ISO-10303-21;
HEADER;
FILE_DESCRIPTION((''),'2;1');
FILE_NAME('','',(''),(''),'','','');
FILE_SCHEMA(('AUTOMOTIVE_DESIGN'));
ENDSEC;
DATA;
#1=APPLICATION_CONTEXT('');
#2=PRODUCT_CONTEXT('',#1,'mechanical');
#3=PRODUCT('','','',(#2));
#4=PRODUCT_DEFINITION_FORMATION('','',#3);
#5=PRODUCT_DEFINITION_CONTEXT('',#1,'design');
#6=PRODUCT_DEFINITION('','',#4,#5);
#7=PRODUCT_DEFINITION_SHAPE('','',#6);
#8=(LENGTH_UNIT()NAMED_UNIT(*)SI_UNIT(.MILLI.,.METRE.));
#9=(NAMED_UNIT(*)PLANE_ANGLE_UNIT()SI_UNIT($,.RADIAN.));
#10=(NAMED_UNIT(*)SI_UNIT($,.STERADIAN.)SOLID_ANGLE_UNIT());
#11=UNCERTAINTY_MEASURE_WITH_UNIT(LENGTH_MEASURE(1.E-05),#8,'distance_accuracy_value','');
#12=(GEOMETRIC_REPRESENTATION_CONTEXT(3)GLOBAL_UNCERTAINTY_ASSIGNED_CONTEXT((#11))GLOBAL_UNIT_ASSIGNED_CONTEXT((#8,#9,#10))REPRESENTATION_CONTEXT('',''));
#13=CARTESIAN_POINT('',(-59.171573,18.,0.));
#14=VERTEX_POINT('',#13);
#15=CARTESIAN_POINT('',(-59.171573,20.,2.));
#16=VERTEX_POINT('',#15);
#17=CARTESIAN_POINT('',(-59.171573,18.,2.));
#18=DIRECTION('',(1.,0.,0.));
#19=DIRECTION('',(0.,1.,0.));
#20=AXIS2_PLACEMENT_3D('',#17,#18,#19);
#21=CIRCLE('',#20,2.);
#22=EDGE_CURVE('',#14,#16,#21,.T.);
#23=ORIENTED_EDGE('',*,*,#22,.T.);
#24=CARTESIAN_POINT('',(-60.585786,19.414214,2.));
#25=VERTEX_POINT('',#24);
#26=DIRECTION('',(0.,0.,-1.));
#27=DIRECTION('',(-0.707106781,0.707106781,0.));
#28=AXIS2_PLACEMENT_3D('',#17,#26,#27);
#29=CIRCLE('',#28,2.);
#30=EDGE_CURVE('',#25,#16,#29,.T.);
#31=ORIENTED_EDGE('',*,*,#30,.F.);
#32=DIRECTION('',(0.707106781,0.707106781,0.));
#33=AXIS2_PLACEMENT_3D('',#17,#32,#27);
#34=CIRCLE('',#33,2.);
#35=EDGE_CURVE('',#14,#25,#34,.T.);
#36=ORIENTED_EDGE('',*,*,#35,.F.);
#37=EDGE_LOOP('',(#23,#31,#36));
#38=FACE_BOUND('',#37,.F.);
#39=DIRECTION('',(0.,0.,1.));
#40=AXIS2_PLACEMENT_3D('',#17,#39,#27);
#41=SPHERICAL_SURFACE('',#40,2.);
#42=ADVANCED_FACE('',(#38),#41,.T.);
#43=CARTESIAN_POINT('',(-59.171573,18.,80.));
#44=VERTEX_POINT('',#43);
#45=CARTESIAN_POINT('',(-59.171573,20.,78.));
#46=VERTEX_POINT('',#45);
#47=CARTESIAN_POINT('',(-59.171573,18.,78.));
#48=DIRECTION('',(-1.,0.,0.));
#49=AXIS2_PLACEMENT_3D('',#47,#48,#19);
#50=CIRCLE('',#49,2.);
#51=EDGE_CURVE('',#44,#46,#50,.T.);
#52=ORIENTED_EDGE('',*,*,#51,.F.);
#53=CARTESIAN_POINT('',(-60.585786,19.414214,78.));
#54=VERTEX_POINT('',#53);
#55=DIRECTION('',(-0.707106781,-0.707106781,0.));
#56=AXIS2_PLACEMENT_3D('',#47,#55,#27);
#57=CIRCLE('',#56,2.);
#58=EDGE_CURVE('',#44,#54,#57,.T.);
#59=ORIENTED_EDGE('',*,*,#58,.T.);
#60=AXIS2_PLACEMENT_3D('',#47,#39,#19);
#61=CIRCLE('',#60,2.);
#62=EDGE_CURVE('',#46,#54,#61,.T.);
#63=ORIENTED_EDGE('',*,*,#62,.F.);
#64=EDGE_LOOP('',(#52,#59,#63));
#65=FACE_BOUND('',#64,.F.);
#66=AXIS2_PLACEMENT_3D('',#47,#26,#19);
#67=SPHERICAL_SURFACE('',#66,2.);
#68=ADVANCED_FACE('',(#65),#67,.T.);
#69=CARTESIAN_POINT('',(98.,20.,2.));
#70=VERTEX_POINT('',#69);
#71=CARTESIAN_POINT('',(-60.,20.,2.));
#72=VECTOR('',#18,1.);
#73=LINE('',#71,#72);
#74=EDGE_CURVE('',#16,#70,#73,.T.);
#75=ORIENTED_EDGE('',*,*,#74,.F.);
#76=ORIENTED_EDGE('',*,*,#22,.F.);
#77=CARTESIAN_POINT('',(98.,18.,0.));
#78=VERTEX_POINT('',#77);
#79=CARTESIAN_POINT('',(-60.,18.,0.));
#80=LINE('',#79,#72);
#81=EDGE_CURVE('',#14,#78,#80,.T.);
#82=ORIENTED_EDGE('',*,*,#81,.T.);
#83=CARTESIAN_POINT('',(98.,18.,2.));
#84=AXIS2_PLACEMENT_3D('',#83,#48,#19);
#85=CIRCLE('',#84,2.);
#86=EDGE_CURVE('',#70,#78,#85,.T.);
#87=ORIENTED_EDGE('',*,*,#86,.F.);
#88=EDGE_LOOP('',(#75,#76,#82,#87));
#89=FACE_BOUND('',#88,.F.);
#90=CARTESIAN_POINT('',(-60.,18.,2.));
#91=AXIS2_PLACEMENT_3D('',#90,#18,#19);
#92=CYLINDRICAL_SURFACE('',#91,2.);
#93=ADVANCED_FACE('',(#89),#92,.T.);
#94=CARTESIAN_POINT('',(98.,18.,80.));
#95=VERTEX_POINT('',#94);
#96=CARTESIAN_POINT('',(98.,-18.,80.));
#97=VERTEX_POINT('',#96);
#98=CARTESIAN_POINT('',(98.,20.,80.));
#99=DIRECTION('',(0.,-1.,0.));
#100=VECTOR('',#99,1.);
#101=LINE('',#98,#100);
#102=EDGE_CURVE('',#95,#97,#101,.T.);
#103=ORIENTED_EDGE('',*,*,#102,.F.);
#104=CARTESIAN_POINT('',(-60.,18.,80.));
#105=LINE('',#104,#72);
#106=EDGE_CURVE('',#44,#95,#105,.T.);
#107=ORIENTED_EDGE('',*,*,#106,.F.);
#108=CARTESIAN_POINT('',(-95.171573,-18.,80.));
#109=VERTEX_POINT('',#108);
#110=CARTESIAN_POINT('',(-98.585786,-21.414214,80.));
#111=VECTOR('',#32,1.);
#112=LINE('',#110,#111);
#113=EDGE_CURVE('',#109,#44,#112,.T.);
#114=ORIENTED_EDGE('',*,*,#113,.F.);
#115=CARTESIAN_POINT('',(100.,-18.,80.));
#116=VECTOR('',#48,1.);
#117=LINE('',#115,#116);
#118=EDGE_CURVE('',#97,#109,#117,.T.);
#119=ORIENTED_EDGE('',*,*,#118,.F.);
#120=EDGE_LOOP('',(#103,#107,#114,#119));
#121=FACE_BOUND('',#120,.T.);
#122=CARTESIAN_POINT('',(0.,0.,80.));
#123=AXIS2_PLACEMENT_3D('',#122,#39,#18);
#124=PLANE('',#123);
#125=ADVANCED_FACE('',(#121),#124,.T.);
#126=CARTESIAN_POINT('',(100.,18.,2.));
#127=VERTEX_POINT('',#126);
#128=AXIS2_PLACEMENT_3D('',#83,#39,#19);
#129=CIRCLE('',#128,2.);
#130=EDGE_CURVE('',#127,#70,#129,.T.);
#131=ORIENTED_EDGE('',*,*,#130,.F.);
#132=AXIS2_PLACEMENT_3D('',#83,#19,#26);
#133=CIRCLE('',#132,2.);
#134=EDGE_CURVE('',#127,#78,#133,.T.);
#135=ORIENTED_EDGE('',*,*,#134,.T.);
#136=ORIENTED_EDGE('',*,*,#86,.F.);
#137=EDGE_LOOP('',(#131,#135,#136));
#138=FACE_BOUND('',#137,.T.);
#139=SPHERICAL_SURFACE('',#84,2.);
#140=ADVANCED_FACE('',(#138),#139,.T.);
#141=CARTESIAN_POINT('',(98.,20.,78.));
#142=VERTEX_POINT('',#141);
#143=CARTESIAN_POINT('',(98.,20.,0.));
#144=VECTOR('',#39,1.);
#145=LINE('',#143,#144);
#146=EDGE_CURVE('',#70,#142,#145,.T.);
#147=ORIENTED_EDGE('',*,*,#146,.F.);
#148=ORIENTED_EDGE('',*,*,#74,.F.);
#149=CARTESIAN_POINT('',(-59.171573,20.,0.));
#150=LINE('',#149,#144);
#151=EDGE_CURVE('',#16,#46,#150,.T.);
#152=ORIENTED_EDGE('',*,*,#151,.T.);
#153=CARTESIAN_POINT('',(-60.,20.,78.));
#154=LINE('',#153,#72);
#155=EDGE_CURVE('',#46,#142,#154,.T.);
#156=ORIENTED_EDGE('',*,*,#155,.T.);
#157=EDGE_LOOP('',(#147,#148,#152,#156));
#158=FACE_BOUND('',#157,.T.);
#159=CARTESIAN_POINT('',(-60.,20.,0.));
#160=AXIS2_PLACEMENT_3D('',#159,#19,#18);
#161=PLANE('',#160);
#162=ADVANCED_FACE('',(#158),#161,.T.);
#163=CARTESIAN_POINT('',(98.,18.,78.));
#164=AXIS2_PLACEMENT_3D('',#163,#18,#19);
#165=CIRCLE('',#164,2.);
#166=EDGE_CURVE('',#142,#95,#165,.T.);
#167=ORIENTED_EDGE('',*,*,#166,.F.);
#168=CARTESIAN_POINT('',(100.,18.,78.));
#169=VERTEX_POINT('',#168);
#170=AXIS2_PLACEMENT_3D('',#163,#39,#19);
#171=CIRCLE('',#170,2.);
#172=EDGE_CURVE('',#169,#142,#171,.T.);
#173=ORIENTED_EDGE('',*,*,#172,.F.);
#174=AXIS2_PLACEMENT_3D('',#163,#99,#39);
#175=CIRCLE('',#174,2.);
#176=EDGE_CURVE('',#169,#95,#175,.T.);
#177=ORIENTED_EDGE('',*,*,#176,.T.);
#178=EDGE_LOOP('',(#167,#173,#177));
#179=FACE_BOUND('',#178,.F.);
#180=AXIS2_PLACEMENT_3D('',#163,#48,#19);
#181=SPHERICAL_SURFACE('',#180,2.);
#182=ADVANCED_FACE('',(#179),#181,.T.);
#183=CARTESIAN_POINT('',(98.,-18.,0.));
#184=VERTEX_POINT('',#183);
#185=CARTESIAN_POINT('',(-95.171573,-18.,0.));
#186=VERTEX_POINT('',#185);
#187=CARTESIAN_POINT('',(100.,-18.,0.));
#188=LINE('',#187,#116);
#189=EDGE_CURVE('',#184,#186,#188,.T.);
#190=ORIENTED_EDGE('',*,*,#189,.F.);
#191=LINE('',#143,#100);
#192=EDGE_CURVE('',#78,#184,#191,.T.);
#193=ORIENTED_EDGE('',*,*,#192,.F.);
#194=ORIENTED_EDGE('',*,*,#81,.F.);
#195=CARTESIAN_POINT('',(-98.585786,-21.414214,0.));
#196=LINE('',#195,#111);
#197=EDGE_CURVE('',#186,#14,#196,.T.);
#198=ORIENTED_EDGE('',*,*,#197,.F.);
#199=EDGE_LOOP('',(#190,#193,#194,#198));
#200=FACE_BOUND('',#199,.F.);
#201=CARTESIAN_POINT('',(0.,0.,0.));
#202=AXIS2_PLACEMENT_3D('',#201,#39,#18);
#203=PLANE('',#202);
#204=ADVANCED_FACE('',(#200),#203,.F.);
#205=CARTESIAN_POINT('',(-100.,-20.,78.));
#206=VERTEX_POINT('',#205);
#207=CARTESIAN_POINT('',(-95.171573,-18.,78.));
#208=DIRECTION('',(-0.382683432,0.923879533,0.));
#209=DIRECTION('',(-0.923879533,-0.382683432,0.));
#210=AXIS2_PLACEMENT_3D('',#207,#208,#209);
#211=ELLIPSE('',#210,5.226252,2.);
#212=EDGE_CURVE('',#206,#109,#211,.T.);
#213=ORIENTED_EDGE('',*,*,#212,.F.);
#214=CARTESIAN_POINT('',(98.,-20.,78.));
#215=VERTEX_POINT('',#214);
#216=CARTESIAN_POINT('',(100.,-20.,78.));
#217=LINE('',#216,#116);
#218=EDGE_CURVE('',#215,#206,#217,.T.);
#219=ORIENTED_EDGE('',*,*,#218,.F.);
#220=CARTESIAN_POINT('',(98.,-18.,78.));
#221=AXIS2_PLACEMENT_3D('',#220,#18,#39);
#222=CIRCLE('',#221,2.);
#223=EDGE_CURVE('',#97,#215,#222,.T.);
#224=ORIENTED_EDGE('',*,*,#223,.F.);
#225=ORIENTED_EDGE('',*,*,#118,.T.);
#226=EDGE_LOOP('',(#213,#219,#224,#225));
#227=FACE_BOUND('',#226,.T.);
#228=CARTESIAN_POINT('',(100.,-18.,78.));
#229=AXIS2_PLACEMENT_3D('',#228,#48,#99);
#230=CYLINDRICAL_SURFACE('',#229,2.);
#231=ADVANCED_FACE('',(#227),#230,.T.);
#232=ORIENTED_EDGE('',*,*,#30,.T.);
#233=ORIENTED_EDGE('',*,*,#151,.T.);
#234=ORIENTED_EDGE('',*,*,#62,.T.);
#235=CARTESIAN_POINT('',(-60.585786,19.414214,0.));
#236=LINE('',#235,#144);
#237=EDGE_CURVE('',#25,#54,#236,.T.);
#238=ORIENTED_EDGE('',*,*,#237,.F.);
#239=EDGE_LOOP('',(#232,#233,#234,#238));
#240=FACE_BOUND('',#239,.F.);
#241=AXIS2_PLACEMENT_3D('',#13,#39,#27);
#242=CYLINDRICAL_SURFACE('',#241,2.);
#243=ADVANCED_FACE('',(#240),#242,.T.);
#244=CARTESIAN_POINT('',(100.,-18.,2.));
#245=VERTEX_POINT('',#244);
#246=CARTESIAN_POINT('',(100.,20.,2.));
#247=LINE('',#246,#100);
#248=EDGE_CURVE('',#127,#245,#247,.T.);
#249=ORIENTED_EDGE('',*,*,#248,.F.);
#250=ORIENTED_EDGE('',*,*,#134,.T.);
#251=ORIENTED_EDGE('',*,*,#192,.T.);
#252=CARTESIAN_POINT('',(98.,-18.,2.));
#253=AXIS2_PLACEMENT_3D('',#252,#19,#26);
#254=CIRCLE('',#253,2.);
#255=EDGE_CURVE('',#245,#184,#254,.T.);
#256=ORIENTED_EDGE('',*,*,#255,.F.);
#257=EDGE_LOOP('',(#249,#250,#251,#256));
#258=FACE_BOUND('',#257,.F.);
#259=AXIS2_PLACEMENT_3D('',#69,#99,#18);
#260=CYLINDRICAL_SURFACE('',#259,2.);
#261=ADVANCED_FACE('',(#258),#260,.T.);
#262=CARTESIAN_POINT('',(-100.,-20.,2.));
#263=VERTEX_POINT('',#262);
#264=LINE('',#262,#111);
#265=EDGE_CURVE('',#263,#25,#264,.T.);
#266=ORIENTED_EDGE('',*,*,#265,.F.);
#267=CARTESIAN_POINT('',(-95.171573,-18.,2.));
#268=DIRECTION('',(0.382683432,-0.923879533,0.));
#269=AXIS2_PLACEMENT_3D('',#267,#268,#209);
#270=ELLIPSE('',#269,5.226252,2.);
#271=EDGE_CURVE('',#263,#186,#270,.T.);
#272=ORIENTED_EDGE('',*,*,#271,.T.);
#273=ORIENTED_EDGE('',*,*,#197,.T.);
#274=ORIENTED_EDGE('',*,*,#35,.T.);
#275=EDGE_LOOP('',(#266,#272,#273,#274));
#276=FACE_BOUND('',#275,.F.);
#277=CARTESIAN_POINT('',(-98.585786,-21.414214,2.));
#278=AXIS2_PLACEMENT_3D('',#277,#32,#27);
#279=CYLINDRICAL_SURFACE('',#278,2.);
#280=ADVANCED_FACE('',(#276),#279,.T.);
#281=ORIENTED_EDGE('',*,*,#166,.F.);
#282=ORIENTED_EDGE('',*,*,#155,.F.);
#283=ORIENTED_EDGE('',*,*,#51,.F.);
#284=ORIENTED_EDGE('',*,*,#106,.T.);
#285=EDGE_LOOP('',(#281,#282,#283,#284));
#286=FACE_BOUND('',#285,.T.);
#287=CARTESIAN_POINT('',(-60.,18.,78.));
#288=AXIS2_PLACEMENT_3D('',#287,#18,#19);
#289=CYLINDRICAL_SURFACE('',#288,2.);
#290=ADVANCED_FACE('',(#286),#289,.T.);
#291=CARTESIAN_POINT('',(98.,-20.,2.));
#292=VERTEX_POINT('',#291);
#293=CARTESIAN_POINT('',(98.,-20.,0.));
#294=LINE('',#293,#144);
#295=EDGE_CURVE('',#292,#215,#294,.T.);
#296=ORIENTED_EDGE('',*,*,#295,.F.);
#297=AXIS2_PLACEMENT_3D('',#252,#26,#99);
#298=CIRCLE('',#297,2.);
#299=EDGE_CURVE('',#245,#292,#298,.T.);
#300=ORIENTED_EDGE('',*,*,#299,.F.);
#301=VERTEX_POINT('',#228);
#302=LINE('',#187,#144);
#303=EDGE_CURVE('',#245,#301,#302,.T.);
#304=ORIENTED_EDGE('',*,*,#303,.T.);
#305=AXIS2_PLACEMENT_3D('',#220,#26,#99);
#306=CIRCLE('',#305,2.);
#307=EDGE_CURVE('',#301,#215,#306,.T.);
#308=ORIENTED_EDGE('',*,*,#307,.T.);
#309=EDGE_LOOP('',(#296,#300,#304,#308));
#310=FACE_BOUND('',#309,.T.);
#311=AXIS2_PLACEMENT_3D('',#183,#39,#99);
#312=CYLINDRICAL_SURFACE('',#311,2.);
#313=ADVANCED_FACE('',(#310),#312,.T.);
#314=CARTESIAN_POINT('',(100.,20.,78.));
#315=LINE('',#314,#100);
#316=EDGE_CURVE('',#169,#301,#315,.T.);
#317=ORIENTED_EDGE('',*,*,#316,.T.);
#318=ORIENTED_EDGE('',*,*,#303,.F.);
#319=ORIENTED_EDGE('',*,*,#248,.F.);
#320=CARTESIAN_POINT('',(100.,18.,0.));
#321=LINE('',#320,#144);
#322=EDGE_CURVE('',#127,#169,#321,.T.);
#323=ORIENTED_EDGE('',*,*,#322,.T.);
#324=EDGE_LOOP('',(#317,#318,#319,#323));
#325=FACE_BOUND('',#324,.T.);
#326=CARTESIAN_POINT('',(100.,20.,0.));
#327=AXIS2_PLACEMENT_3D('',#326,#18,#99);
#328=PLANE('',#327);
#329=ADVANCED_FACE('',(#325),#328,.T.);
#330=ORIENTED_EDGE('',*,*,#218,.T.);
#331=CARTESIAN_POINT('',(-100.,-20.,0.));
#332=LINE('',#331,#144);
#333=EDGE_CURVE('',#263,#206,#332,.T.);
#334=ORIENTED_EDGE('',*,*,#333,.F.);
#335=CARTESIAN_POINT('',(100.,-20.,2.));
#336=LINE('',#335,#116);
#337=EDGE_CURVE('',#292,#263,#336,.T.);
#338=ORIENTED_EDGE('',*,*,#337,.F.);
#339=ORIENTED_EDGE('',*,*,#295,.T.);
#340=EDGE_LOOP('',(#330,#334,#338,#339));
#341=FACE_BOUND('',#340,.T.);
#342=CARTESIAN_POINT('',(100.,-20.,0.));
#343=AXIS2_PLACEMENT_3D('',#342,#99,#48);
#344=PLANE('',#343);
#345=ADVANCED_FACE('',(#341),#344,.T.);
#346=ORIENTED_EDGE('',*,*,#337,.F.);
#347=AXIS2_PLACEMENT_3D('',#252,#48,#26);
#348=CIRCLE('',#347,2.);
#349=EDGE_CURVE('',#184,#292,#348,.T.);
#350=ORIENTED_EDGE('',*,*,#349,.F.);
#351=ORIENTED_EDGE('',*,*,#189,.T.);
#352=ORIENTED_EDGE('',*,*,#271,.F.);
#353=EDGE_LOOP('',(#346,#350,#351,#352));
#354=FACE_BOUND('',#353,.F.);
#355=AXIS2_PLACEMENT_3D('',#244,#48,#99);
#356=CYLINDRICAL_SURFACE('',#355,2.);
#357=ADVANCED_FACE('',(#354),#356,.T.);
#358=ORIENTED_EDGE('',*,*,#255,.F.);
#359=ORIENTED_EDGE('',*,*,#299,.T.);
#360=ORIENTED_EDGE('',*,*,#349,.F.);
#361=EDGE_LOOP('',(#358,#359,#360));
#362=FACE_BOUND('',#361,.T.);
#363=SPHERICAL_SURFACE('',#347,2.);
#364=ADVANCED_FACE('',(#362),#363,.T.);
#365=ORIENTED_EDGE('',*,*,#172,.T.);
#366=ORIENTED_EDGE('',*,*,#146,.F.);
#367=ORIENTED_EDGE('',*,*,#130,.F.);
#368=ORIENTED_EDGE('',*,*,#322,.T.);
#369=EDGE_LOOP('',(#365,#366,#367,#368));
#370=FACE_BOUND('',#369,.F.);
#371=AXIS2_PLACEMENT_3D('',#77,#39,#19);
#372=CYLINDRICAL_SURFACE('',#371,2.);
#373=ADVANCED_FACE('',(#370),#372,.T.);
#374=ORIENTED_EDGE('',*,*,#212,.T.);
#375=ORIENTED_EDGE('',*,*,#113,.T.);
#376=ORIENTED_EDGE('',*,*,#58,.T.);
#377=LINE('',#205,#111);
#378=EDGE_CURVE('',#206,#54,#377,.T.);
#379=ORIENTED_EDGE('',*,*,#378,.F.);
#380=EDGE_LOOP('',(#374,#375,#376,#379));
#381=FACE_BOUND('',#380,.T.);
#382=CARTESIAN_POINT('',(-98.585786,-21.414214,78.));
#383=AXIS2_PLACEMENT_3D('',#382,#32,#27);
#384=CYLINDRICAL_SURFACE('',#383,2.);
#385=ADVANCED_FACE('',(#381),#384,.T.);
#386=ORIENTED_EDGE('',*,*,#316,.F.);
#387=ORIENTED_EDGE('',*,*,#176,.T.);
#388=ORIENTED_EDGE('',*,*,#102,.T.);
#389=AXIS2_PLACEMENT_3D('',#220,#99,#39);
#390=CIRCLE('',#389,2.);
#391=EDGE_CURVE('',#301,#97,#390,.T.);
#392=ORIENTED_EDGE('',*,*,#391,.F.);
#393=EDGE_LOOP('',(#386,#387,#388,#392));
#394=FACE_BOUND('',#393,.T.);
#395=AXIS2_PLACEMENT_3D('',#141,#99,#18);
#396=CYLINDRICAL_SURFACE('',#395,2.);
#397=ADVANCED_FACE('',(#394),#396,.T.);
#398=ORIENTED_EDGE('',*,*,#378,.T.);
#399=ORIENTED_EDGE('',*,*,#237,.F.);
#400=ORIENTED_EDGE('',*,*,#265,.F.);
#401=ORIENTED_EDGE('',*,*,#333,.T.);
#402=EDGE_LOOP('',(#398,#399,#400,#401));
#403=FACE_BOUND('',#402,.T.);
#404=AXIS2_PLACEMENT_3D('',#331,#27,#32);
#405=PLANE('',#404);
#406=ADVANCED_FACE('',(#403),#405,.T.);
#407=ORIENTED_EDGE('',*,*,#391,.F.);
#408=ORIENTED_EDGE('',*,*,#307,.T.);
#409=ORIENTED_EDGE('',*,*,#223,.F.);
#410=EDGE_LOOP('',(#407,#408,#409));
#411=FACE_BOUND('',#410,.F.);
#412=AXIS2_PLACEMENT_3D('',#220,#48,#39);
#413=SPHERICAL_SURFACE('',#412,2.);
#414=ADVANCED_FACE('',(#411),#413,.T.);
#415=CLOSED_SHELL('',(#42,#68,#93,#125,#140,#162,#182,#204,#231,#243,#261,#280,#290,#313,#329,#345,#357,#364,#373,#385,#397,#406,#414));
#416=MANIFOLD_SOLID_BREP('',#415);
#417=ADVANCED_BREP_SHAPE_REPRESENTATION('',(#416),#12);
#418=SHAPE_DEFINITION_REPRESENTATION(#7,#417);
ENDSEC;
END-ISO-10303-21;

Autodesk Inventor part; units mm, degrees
ref_plane "YZ Plane" through (0, 0, 0) normal (1, 0, 0) x (0, 1, 0)
ref_plane "XZ Plane" through (0, 0, 0) normal (0, 1, 0) x (-1, 0, 0)
ref_plane "XY Plane" through (0, 0, 0) normal (0, 0, 1) x (1, 0, 0)
sketch "Boceto1" plane through (0, 0, 0) normal (0, 0, 1) x (1, 0, 0)
  line L0 (100, -20) -> (-100, -20)
  line L1 (-60, 20) -> (100, 20)
  line L2 (100, 20) -> (100, -20)
  line L3 (100, -20) -> (-66.6667, 13.3333) construction
  line L4 (-100, -20) -> (100, 20) construction
  line L5 (-100, -20) -> (-60, 20)
  line L6 (-100, -20) -> (-43.4315, -20) construction
  point P0 (0, 0)
  dimension "d2" = 45
extrude "Extrusión1" add sketch "Boceto1" along normal blind 80
fillet "Empalme1" radius 2 11 edges at (20, 20, 0) (20, 20, 80) (0, -20, 0) (0, -20, 80) (-80, 0, 80) (-60, 20, 40) (-80, 0, 0) (100, 20, 40) (100, 0, 80) (100, 0, 0) (100, -20, 40)
properties part number "union_ruedas" material "Hierro, fundido"
